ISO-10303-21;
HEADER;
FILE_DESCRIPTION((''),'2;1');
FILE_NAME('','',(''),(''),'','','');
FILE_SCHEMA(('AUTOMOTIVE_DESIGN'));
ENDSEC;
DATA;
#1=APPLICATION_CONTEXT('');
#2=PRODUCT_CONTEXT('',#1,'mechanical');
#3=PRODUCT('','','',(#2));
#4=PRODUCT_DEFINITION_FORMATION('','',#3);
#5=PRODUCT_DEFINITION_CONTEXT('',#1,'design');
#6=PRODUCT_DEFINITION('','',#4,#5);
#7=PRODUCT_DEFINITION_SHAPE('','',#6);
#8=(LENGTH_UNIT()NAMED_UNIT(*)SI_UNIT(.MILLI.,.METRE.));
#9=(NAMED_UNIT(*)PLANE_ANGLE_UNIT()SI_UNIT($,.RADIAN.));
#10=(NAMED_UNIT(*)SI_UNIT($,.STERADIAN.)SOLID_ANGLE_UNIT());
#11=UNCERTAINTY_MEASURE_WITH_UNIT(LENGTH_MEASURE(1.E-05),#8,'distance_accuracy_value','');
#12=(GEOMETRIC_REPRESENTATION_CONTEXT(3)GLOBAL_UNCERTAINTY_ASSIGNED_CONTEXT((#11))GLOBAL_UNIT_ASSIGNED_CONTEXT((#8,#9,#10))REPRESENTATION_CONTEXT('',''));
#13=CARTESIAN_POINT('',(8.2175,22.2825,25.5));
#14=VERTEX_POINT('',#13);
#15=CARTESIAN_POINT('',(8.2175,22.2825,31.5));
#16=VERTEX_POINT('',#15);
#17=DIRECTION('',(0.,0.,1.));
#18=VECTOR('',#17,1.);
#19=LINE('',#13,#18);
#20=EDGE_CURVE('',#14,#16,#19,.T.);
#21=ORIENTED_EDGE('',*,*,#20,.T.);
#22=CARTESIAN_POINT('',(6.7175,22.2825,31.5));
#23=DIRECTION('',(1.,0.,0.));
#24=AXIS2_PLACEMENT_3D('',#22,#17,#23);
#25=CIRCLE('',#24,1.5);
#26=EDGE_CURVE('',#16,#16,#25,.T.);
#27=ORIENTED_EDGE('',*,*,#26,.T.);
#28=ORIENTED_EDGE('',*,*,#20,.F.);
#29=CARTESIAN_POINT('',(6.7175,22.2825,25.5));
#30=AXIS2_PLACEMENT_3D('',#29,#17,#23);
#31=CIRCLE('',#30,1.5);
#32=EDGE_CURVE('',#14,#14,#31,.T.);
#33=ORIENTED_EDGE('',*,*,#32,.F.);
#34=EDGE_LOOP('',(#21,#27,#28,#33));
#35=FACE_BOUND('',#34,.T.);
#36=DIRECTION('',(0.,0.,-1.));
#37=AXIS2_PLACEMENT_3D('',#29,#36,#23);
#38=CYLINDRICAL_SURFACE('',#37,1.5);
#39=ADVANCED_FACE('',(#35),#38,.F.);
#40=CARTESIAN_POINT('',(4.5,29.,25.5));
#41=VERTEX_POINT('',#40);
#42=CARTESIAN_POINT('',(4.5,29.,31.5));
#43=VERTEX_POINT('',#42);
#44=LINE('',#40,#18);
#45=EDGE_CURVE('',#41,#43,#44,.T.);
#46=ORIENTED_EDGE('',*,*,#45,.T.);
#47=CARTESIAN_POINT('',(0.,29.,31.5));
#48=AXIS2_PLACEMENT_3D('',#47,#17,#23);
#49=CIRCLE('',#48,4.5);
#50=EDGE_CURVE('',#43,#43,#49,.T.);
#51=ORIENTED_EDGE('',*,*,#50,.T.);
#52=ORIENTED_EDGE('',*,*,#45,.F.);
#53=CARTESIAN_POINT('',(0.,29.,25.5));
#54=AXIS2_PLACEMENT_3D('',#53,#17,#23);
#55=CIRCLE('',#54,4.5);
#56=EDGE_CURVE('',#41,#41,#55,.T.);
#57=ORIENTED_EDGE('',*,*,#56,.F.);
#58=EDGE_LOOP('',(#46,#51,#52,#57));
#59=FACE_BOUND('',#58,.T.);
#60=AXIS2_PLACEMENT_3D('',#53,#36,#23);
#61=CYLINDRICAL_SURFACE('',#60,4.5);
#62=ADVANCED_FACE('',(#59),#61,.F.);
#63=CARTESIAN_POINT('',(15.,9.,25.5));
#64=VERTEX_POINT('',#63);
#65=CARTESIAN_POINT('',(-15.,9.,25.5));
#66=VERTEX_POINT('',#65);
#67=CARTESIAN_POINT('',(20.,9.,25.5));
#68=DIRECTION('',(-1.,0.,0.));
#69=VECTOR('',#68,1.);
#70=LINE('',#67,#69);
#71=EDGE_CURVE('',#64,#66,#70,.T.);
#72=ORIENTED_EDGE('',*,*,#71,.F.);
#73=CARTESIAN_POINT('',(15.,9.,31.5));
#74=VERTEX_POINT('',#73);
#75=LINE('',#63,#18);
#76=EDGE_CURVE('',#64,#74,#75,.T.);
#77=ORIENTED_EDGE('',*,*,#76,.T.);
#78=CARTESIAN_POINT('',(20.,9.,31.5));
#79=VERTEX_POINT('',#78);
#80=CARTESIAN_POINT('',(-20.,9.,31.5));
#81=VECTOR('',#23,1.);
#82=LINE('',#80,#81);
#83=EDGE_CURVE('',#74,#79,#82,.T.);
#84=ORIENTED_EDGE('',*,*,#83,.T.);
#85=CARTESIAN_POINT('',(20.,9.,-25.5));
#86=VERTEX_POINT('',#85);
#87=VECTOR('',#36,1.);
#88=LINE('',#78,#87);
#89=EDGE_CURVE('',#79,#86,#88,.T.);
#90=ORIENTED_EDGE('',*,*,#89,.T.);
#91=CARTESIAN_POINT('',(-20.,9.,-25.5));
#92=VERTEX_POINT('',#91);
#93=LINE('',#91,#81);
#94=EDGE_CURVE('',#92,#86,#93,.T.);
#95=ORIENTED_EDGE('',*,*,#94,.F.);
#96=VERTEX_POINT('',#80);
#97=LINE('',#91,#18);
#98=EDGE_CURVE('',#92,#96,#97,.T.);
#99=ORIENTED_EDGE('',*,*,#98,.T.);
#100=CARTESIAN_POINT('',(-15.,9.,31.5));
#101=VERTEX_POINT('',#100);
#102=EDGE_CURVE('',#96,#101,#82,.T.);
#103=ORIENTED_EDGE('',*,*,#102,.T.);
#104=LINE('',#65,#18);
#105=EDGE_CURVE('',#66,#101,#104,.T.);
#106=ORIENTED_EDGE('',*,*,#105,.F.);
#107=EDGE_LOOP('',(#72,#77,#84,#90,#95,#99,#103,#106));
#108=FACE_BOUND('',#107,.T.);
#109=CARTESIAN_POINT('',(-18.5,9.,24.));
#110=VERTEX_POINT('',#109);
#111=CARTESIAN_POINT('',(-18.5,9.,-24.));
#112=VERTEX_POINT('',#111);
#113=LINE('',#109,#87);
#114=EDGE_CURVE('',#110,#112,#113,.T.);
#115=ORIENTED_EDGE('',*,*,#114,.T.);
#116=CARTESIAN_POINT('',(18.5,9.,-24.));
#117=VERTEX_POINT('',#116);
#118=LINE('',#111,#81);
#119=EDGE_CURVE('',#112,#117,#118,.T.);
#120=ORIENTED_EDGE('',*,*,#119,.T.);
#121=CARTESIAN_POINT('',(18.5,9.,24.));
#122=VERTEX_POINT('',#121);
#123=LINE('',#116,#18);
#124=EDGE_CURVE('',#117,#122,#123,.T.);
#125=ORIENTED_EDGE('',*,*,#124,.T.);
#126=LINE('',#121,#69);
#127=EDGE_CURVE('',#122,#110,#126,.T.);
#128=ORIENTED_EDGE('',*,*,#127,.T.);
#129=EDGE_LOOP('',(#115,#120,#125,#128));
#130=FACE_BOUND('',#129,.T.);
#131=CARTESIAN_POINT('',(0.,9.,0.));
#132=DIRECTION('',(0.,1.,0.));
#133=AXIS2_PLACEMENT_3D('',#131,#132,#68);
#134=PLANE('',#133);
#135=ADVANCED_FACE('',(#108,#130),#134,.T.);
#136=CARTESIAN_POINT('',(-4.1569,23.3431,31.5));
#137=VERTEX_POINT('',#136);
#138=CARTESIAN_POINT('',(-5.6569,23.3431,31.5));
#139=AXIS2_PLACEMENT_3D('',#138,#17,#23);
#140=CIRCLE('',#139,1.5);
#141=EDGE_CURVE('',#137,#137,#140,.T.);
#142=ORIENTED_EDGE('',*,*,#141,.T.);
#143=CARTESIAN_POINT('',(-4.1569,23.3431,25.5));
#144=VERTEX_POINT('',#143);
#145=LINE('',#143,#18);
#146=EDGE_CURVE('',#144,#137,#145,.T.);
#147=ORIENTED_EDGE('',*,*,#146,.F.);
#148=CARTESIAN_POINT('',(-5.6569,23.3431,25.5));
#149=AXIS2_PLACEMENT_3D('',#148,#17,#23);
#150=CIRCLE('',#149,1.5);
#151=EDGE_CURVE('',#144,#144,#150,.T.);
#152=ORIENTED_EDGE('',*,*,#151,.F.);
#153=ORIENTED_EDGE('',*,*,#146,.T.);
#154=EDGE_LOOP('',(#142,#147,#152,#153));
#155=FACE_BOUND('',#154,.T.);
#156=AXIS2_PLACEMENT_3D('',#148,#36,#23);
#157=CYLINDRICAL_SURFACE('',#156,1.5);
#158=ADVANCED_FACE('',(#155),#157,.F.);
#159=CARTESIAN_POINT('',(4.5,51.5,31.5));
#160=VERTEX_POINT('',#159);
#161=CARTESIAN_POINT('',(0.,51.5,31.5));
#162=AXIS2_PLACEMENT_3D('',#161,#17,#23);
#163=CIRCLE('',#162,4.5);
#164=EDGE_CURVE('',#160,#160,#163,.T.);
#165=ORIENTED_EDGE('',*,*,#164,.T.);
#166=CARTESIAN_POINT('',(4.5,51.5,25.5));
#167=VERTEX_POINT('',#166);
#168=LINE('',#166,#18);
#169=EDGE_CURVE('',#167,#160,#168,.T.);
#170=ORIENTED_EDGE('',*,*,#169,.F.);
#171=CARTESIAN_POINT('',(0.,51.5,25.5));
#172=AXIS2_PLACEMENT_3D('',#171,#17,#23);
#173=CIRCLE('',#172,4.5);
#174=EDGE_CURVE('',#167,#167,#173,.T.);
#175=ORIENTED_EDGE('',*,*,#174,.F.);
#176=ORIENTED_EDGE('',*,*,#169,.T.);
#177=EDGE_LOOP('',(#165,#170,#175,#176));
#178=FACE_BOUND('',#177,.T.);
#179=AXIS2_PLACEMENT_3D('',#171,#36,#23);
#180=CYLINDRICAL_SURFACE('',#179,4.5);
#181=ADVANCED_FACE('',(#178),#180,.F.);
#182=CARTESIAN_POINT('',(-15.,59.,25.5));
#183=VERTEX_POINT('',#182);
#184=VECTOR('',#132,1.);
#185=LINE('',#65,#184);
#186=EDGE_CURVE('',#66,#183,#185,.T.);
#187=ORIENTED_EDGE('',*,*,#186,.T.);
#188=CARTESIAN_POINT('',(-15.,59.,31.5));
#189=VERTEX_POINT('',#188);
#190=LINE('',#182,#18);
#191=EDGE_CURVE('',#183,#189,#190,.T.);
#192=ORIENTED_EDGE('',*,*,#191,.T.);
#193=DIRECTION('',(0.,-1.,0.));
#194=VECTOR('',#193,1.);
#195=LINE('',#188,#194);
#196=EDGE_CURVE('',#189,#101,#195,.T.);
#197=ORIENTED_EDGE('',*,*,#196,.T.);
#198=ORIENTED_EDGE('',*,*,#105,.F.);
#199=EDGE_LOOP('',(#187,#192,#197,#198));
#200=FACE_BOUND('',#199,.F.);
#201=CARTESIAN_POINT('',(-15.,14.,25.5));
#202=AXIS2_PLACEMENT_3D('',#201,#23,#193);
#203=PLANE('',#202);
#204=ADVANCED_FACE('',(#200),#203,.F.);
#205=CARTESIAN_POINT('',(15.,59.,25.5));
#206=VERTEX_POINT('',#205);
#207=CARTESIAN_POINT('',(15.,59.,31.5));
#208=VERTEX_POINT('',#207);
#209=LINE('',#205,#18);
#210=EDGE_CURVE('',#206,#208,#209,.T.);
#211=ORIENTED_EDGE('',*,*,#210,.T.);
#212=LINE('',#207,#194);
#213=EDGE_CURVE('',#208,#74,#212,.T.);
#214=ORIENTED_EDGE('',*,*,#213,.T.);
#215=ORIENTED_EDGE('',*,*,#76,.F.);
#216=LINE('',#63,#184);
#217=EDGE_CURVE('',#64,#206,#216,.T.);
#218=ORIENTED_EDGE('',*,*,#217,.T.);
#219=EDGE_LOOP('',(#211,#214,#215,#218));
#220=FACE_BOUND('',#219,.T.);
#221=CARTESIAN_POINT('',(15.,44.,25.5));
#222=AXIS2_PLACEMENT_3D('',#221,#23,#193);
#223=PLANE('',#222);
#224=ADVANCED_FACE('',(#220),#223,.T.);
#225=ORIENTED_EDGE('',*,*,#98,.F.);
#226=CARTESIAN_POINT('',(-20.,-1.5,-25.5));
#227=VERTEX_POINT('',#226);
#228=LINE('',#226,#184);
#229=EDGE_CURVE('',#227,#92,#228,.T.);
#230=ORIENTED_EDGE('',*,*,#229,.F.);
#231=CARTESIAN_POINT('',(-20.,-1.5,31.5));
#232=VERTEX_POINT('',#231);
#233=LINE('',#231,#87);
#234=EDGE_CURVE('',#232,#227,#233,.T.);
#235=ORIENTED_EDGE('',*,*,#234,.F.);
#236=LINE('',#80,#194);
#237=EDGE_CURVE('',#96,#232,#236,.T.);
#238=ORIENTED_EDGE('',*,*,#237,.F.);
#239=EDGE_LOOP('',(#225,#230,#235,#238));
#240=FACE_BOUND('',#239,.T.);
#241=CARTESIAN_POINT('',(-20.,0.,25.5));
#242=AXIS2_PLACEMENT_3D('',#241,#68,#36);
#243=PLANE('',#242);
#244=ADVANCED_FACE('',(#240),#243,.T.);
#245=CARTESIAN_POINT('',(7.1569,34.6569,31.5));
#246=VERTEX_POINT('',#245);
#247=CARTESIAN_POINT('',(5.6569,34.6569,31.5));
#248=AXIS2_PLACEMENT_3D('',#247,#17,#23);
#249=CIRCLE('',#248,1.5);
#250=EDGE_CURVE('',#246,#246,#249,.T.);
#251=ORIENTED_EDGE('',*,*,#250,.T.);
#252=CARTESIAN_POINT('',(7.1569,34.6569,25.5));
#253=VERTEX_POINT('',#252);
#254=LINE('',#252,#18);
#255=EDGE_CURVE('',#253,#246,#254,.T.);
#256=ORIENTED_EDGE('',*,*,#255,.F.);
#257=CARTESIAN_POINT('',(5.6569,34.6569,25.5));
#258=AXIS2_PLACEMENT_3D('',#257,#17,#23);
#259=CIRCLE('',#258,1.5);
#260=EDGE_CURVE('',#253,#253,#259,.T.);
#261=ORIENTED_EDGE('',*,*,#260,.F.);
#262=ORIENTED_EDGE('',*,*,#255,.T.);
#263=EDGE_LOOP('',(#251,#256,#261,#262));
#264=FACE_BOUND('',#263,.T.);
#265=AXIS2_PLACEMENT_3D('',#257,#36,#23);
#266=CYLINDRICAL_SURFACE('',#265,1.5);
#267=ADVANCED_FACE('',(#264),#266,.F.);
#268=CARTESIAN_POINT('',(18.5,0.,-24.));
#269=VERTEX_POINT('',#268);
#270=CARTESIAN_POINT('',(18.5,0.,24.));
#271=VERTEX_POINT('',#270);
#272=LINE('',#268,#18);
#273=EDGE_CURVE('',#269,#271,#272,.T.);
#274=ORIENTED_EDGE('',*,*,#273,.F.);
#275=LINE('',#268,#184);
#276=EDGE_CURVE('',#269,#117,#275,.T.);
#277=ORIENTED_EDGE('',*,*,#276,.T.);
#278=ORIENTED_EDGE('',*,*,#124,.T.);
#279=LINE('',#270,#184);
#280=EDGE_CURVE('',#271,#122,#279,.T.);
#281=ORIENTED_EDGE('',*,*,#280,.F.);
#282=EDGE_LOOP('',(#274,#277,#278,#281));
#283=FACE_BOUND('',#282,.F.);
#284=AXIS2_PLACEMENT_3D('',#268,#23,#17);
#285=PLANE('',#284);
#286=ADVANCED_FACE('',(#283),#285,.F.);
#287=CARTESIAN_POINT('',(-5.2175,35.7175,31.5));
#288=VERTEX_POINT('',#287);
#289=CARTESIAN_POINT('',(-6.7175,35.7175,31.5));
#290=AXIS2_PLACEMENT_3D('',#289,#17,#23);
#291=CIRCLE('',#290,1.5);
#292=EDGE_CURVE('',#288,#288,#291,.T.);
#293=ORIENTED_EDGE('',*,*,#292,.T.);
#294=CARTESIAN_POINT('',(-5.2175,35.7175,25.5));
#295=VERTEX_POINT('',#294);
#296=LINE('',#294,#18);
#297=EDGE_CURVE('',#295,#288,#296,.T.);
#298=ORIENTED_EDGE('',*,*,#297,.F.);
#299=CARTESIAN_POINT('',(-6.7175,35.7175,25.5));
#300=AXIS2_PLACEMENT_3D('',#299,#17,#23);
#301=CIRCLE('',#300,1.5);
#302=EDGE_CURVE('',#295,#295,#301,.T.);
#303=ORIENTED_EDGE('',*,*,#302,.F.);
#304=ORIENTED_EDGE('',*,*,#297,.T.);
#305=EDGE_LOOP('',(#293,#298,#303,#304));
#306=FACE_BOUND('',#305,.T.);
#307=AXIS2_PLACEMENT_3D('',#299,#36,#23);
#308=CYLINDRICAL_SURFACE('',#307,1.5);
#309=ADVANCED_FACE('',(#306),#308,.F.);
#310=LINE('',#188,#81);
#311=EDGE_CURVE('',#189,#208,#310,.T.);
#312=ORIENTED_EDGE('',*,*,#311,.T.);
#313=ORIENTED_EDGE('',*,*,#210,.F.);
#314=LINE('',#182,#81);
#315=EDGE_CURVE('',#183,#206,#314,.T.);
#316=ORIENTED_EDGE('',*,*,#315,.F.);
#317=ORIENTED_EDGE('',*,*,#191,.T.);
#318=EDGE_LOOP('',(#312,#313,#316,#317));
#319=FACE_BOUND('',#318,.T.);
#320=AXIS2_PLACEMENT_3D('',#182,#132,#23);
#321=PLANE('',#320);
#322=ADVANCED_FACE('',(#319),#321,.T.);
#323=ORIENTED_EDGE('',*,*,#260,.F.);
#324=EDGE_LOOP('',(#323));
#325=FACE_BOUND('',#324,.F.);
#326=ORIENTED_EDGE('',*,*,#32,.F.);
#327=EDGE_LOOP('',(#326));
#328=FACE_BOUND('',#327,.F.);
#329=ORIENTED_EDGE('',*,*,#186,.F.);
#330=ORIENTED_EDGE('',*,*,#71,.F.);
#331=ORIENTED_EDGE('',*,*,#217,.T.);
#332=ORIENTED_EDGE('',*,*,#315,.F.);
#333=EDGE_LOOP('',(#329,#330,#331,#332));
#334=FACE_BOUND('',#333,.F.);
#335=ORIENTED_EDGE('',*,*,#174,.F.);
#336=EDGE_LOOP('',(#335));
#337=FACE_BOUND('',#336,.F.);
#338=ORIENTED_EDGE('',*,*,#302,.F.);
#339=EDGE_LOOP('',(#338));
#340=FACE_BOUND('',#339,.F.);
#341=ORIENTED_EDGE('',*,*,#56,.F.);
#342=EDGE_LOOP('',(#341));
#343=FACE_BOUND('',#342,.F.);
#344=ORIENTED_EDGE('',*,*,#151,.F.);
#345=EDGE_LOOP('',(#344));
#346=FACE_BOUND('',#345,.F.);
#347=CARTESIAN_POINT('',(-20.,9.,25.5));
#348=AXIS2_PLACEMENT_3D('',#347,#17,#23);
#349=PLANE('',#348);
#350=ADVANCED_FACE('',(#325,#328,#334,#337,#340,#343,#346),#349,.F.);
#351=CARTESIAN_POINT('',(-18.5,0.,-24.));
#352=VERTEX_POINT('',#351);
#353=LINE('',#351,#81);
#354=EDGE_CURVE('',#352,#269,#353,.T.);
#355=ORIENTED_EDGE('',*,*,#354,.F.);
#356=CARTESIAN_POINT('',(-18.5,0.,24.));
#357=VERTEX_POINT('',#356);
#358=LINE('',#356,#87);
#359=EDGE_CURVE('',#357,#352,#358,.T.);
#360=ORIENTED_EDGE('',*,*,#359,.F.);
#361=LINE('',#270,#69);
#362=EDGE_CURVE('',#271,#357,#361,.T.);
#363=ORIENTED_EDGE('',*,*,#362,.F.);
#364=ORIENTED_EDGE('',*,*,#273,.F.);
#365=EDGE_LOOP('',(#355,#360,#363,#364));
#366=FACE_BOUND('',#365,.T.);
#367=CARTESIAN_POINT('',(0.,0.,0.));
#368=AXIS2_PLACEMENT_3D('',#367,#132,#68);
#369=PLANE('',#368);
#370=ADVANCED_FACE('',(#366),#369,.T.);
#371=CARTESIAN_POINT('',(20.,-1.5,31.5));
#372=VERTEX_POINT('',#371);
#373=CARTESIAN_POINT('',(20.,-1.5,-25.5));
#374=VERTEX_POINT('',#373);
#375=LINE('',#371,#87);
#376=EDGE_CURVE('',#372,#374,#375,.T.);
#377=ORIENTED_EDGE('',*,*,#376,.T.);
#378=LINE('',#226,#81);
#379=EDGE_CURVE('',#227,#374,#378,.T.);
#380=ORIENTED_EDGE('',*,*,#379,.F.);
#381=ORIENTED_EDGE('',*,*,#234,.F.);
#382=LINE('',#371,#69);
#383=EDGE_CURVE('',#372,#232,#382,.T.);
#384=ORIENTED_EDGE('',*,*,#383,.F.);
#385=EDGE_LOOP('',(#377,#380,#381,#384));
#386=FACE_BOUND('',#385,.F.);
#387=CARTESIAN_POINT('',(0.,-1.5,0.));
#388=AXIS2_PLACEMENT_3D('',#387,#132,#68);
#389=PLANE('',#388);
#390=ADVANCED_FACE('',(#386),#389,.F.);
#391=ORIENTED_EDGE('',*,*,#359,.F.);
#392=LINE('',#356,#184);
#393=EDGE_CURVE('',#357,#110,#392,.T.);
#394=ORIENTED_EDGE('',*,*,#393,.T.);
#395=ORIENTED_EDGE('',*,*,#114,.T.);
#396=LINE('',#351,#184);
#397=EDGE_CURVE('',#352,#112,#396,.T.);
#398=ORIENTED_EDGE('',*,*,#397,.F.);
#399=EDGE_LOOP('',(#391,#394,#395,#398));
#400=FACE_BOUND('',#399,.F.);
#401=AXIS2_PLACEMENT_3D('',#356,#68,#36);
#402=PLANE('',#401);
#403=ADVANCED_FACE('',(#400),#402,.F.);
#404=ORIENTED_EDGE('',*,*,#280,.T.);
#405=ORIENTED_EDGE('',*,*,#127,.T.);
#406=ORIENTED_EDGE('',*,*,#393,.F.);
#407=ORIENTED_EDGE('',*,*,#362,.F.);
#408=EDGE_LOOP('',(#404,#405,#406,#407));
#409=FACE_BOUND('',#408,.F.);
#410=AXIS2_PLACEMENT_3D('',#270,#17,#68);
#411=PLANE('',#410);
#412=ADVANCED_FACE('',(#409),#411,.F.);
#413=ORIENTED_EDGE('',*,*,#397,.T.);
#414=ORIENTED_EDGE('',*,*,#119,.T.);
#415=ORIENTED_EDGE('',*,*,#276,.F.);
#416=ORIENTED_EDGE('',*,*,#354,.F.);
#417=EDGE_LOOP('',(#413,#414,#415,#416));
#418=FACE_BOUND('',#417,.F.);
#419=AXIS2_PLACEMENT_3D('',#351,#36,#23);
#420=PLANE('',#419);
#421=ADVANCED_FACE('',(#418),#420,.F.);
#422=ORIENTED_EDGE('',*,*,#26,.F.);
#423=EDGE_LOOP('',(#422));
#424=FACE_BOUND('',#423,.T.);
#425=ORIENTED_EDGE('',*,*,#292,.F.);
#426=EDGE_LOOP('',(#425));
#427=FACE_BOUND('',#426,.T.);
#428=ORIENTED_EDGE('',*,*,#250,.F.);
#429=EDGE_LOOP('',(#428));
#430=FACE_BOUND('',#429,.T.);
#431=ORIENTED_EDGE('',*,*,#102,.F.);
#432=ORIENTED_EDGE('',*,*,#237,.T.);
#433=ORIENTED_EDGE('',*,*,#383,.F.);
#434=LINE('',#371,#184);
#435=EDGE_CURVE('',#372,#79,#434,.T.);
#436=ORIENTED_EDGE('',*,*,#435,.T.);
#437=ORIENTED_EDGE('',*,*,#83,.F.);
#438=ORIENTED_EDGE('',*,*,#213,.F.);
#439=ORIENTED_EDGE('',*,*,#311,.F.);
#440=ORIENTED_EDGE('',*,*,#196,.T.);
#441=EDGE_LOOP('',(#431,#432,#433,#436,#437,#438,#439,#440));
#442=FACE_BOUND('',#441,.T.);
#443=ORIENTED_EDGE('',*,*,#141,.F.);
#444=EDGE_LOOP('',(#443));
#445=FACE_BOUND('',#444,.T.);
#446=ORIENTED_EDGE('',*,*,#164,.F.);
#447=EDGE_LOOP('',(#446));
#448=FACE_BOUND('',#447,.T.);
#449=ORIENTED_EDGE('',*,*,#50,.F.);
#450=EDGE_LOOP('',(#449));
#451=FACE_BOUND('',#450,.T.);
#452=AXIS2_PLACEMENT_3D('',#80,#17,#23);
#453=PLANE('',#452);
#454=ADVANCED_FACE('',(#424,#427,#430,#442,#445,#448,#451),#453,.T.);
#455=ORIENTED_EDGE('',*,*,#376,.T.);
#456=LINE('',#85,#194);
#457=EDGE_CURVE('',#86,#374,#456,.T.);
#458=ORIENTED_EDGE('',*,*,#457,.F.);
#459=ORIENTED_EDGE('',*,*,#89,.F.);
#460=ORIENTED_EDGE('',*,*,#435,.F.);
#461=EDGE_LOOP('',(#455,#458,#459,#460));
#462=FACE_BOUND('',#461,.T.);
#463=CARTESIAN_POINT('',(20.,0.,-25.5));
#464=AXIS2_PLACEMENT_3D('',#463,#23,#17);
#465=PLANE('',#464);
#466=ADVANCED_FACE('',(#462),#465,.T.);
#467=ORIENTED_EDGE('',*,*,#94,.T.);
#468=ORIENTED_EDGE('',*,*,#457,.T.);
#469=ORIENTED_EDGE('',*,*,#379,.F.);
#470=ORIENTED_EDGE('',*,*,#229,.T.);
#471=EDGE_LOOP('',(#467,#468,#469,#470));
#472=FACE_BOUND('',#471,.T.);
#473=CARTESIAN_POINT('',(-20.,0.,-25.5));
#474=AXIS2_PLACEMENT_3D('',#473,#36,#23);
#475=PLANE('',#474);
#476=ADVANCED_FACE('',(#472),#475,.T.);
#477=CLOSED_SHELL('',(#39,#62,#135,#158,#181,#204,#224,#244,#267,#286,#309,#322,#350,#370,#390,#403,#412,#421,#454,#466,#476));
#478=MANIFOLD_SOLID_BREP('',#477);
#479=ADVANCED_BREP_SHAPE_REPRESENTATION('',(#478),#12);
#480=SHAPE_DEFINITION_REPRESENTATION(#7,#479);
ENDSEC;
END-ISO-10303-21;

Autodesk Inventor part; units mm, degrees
ref_plane "YZ Plane" through (0, 0, 0) normal (1, 0, 0) x (0, 1, 0)
ref_plane "XZ Plane" through (0, 0, 0) normal (0, 1, 0) x (-1, 0, 0)
ref_plane "XY Plane" through (0, 0, 0) normal (0, 0, 1) x (1, 0, 0)
sketch "Sketch1" plane through (0, 0, 0) normal (0, 1, 0) x (-1, 0, 0)
  line L0 (18.5, -24) -> (-18.5, -24)
  line L1 (-18.5, -24) -> (-18.5, 24)
  line L2 (-18.5, 24) -> (18.5, 24)
  line L3 (18.5, 24) -> (18.5, -24)
  line L4 (20, -25.5) -> (-20, -25.5)
  line L5 (-20, -25.5) -> (-20, 25.5)
  line L6 (-20, 25.5) -> (20, 25.5)
  line L7 (20, 25.5) -> (20, -25.5)
  point P0 (0, 0)
  point P1 (0, -24)
  point P2 (-18.5, 0)
  point P3 (-20, 0)
  point P4 (0, -25.5)
  dimension "d0" = 37
  dimension "d1" = 48
  dimension "d2" = 1.5
  dimension "d3" = 1.5
extrude "Extrusion1" add sketch "Sketch1" along normal blind 9
extrude "Extrusion2" add sketch "Sketch1" against normal blind 1.5 contours L0 L1 L2 L3 | L4 L5 L6 L7
sketch "Sketch2" plane through (-20, 9, 25.5) normal (0, 0, 1) x (1, 0, 0)
  line L0 (5, 35) -> (35, 35) construction
  line L1 (35, 35) -> (35, 5)
  line L2 (35, 5) -> (5, 5) construction
  line L3 (5, 5) -> (5, 35)
  circle A0 centre (20, 20) radius 4.5
  circle A1 centre (14.3431, 14.3431) radius 1.5
  circle A2 centre (13.2825, 26.7175) radius 1.5
  circle A3 centre (25.6569, 25.6569) radius 1.5
  circle A4 centre (26.7175, 13.2825) radius 1.5
  line L4 (14.3431, 14.3431) -> (25.6569, 25.6569) construction
  line L5 (13.2825, 26.7175) -> (26.7175, 13.2825) construction
  line L6 (0, 0) -> (40, 0) projected
  line L7 (25.6569, 25.6569) -> (35, 35) construction
  line L8 (40, -10.5) -> (40, 0) projected
  line L9 (0, 0) -> (40, 0) projected
  line L10 (0, 0) -> (0, -10.5) projected
  line L11 (40, -10.5) -> (0, -10.5) projected
  circle A5 centre (20, 20) radius 13.9 construction
  line L12 (5, 5) -> (5, 0)
  line L13 (35, 5) -> (35, 0)
  circle A6 centre (20, 42.5) radius 4.5
  line L14 (5, 35) -> (5, 50)
  line L15 (5, 50) -> (35, 50)
  line L16 (35, 50) -> (35, 35)
  point P0 (20, -9)
  point P1 (20, 35)
  point P2 (35, 20)
  point P3 (20, 5)
  point P4 (20, 0)
  point P5 (5, 0)
  point P6 (35, 0)
  point P7 (5, 0)
  point P8 (35, 0)
  dimension "d8" = 9
  dimension "d9" = 3
  dimension "d10" = 16
  dimension "d11" = 19
  dimension "d12" = 30
  dimension "d16" = 27.8
  dimension "d17" = 5
  dimension "d19" = 7.5
  dimension "d20" = 15
extrude "Extrusion3" add sketch "Sketch2" along normal blind 6
equation "\"d20\" = 2 * d19"
properties part number "Motor Stand"
